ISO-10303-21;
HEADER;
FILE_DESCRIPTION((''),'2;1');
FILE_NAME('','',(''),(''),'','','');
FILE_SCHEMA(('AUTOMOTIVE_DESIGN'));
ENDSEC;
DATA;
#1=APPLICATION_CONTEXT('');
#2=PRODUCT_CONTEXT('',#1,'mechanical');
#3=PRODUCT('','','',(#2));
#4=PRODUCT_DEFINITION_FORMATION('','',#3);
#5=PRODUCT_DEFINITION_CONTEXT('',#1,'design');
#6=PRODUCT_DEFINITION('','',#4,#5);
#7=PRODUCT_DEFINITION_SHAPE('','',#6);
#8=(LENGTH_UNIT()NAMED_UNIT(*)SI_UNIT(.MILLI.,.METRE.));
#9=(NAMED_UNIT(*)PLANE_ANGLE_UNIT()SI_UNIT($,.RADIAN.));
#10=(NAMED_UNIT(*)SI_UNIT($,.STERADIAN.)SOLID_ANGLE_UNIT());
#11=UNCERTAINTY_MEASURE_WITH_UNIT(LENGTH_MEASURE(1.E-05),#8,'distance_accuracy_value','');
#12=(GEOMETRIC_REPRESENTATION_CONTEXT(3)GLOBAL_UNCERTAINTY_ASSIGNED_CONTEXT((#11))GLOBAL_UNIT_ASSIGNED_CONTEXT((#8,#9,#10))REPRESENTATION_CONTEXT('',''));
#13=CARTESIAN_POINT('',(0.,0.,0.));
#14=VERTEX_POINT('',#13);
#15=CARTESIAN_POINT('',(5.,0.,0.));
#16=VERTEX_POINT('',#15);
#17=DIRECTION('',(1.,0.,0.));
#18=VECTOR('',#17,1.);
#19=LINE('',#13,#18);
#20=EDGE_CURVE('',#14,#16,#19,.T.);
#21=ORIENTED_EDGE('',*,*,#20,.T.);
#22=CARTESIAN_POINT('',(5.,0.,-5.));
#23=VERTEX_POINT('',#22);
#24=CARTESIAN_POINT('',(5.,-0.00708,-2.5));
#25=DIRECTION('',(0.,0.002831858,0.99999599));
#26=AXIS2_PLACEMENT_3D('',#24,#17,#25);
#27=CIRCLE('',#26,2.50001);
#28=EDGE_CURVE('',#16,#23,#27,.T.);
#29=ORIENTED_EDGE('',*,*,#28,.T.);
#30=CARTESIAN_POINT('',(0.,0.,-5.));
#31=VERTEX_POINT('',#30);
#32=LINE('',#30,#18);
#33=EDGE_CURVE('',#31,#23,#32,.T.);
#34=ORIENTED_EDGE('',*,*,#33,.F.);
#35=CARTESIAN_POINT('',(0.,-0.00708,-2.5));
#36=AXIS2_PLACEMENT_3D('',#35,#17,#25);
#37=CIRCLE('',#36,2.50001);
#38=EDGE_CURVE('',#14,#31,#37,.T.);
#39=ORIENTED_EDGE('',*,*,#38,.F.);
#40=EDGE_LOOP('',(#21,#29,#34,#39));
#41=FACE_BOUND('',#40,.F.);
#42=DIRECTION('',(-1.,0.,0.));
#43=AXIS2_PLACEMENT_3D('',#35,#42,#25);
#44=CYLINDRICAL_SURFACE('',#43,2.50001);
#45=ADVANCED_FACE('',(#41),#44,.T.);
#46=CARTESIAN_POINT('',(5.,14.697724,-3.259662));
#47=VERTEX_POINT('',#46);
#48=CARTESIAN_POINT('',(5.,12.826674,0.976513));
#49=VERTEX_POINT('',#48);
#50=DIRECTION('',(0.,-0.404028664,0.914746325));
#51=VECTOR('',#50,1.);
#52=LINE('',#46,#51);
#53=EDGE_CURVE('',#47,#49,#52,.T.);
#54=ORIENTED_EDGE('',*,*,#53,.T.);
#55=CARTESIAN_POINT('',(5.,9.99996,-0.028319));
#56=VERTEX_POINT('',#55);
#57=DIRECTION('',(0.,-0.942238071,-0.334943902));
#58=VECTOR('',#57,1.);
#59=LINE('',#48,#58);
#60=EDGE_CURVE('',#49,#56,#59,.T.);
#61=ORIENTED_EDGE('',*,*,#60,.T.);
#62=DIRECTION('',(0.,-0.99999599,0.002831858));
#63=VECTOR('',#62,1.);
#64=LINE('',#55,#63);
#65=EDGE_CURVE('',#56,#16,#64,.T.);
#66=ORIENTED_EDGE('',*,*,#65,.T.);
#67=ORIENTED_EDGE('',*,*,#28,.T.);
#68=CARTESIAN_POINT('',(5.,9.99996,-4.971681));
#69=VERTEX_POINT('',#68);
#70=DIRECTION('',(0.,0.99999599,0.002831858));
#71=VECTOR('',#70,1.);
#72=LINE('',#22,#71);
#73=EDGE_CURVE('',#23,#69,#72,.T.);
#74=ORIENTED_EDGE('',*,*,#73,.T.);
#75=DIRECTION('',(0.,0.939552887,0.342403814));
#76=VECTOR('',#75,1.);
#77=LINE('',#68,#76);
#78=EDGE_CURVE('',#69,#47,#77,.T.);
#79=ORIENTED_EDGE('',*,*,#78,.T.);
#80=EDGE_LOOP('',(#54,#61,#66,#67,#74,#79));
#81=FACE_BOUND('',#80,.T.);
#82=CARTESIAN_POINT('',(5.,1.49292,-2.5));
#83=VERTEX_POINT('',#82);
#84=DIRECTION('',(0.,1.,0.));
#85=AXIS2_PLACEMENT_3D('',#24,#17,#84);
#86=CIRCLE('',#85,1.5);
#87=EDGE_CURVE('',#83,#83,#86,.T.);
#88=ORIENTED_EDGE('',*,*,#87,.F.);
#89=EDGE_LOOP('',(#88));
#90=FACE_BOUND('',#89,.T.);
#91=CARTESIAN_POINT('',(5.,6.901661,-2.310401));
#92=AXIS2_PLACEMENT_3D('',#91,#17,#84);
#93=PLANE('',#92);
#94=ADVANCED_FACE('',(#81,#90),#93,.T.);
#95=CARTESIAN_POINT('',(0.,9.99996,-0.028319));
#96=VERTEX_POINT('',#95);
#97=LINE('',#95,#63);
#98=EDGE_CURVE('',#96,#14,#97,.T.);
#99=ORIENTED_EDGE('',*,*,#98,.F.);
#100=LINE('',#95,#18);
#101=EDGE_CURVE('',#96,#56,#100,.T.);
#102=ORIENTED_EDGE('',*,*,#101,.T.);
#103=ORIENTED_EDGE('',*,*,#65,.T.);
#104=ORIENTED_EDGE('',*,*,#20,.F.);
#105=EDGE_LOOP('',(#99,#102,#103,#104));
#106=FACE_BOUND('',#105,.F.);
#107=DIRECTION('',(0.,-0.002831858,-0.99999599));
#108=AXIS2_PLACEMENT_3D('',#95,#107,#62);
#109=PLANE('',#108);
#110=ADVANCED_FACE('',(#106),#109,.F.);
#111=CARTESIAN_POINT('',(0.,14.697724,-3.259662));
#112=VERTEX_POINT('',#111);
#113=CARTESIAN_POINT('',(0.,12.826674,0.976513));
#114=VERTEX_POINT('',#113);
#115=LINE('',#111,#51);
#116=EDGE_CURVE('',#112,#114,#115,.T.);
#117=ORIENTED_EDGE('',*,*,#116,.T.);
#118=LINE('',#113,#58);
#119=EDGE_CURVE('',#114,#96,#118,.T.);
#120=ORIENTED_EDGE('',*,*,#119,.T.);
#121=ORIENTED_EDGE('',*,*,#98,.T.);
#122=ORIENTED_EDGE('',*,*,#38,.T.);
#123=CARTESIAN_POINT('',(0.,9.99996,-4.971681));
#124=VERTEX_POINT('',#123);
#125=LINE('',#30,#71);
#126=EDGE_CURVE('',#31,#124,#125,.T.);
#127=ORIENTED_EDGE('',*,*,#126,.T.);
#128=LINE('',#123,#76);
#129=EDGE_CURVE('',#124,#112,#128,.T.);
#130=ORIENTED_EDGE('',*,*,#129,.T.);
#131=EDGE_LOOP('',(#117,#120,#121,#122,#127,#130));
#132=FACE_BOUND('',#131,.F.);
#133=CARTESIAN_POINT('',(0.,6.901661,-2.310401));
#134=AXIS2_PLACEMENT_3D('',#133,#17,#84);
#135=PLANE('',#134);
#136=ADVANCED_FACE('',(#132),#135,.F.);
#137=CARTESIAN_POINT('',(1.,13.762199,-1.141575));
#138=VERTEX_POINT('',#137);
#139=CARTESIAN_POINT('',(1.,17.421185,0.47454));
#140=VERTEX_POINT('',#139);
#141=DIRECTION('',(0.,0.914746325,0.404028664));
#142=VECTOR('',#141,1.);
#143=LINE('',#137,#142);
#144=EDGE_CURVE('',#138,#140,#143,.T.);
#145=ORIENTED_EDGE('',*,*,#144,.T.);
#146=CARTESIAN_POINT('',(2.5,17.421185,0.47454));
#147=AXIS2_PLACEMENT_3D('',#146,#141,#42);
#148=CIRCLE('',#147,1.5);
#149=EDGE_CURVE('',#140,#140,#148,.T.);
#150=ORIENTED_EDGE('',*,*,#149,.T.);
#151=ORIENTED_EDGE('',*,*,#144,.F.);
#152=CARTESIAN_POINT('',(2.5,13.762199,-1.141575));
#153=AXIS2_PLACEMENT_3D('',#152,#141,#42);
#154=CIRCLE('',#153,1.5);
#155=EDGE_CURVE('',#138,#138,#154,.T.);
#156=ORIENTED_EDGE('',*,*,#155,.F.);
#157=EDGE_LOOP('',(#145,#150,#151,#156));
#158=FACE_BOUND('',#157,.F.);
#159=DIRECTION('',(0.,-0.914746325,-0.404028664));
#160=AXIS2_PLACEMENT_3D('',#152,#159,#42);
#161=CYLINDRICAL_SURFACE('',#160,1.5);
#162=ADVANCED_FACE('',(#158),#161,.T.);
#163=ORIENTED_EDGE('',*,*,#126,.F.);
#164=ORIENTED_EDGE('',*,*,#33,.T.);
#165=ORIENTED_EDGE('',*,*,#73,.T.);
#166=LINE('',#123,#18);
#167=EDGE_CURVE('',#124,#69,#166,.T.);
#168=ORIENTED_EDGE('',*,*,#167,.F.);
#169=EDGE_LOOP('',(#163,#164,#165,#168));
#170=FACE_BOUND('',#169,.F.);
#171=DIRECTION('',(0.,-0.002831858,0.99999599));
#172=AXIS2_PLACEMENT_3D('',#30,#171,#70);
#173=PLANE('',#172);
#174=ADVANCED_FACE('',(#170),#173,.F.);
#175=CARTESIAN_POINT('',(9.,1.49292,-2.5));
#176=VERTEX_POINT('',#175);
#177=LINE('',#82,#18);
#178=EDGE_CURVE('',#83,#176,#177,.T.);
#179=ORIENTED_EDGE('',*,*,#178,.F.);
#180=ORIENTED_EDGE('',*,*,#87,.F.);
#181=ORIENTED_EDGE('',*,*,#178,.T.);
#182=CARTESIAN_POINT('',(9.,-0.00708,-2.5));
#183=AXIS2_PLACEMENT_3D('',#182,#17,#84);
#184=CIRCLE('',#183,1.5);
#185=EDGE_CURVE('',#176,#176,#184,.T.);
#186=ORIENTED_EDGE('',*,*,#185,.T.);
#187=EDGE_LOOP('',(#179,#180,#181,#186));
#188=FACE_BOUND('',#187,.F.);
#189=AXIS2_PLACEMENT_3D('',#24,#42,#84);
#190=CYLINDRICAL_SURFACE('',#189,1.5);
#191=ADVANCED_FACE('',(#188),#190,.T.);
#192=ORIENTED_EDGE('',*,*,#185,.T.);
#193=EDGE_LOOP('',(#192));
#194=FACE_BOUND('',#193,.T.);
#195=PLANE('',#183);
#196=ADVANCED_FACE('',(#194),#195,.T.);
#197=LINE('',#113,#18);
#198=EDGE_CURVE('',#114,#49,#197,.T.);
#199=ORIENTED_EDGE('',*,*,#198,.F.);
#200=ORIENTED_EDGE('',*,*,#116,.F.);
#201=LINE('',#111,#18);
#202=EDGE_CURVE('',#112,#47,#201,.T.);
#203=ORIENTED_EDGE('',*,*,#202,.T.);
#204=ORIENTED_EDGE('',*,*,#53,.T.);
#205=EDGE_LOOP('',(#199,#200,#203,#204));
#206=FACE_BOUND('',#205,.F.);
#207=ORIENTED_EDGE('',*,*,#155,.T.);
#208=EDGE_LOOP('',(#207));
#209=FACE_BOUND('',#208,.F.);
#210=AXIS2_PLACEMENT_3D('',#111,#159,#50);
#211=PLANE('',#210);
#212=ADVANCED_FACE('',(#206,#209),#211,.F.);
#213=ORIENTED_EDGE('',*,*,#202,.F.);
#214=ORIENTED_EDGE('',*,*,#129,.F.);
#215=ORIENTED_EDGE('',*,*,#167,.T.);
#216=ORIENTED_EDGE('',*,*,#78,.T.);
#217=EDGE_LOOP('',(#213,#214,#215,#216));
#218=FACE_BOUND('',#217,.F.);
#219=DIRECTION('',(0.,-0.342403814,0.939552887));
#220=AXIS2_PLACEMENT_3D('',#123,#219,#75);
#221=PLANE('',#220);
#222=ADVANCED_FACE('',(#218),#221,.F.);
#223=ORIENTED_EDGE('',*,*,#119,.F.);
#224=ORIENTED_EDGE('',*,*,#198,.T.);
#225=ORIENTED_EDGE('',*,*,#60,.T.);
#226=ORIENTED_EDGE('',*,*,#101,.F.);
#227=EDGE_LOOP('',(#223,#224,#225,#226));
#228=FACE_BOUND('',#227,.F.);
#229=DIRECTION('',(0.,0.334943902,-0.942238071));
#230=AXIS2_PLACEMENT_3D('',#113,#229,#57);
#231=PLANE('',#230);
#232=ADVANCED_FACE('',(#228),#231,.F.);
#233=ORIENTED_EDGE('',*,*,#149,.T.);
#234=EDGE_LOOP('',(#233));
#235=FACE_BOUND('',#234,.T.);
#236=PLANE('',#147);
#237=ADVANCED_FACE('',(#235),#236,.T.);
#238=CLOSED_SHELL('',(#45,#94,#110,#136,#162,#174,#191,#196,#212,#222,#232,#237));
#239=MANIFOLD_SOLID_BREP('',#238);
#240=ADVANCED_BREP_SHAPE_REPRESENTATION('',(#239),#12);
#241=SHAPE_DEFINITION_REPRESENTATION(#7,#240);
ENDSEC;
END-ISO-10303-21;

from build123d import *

# Parameters (mm, degrees)
F1_DEPTH = 5
F3_R     = 1.5
F4_DEPTH = 4
F2_R     = 1.5
F5_DEPTH = 4


with BuildPart() as f1:
    # F0 (on Right) → F1 (new body)
    with BuildSketch(Plane.YZ):
        Polygon((9.9999599028, -0.028318582), (0, 0), (0, -5), (9.9999599028, -4.971681418), (14.6977243388, -3.2596623456), (12.8266741155, 0.9765131251), align=None)
        with BuildLine():
            Line((0, -5), (0, 0))
            ThreePointArc((0, 0), (-2.5070896982, -2.5), (0, -5))
        make_face()
    extrude(amount=F1_DEPTH)

    # F3 (on face) → F4 (join)
    with BuildSketch(Plane.YZ.offset(5)):
        with Locations((-0.0070796739, -2.5)):
            Circle(F3_R)
    extrude(amount=F4_DEPTH)

    # F2 (on face) → F5 (join)
    with BuildSketch(Plane(origin=(0, 11.0937619601, 4.8999353157), x_dir=(-1, 0, 0), z_dir=(0, 0.9147463248, 0.4040286639))):
        with Locations((-2.5, -6.6045741447)):
            Circle(F2_R)
    extrude(amount=F5_DEPTH)


solid = f1.part
